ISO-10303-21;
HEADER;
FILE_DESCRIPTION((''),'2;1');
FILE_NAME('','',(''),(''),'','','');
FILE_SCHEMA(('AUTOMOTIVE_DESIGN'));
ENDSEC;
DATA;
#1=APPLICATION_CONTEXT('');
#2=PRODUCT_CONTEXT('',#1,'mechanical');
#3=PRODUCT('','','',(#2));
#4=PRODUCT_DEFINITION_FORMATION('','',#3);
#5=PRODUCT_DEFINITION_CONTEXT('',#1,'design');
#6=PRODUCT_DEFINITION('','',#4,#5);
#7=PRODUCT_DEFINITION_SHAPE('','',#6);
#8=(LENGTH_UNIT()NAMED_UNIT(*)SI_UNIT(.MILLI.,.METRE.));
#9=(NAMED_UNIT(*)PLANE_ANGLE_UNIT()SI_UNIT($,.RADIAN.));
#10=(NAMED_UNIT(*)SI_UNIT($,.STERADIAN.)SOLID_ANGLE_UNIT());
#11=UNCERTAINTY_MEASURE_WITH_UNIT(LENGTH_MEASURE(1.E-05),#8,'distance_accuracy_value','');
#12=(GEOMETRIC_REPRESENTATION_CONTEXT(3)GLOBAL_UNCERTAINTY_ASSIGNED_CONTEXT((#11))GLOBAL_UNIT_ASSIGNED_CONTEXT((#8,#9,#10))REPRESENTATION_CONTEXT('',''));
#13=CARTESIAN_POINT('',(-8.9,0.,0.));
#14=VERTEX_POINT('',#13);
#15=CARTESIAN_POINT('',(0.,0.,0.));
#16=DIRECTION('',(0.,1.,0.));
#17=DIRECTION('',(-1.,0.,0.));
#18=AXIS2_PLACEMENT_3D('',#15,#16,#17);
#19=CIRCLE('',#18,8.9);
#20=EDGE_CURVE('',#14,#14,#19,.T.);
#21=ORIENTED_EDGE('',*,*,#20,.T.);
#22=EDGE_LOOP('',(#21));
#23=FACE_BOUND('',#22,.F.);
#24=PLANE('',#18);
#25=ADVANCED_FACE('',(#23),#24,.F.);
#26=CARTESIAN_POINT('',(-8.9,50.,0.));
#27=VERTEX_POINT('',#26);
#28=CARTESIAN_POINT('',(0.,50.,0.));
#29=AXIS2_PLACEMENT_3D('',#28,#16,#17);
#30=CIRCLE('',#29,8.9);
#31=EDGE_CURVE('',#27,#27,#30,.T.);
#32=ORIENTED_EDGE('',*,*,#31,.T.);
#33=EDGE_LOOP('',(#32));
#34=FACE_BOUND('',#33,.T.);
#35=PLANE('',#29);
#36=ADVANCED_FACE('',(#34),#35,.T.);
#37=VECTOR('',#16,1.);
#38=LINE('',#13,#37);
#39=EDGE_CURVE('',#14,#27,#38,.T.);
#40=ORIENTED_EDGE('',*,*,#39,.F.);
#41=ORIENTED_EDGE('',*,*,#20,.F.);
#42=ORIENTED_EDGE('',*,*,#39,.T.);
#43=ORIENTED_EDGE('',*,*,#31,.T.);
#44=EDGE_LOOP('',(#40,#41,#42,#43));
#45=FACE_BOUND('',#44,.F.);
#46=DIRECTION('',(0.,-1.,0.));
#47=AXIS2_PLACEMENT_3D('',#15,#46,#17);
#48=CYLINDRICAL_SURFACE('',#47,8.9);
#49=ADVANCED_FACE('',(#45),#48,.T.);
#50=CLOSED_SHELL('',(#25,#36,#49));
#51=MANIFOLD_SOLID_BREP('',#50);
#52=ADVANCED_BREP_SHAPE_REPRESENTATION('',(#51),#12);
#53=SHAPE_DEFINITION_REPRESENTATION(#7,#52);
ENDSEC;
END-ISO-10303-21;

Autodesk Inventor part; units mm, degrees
ref_plane "YZ Plane" through (0, 0, 0) normal (1, 0, 0) x (0, 1, 0)
ref_plane "XZ Plane" through (0, 0, 0) normal (0, 1, 0) x (-1, 0, 0)
ref_plane "XY Plane" through (0, 0, 0) normal (0, 0, 1) x (1, 0, 0)
sketch "Sketch1" plane through (0, 0, 0) normal (0, 1, 0) x (-1, 0, 0)
  circle A0 centre (0, 0) radius 8.9
  dimension "d0" = 17.8
extrude "Extrusion1" add sketch "Sketch1" along normal blind 50
properties part number "collision_cylinder11_1"
